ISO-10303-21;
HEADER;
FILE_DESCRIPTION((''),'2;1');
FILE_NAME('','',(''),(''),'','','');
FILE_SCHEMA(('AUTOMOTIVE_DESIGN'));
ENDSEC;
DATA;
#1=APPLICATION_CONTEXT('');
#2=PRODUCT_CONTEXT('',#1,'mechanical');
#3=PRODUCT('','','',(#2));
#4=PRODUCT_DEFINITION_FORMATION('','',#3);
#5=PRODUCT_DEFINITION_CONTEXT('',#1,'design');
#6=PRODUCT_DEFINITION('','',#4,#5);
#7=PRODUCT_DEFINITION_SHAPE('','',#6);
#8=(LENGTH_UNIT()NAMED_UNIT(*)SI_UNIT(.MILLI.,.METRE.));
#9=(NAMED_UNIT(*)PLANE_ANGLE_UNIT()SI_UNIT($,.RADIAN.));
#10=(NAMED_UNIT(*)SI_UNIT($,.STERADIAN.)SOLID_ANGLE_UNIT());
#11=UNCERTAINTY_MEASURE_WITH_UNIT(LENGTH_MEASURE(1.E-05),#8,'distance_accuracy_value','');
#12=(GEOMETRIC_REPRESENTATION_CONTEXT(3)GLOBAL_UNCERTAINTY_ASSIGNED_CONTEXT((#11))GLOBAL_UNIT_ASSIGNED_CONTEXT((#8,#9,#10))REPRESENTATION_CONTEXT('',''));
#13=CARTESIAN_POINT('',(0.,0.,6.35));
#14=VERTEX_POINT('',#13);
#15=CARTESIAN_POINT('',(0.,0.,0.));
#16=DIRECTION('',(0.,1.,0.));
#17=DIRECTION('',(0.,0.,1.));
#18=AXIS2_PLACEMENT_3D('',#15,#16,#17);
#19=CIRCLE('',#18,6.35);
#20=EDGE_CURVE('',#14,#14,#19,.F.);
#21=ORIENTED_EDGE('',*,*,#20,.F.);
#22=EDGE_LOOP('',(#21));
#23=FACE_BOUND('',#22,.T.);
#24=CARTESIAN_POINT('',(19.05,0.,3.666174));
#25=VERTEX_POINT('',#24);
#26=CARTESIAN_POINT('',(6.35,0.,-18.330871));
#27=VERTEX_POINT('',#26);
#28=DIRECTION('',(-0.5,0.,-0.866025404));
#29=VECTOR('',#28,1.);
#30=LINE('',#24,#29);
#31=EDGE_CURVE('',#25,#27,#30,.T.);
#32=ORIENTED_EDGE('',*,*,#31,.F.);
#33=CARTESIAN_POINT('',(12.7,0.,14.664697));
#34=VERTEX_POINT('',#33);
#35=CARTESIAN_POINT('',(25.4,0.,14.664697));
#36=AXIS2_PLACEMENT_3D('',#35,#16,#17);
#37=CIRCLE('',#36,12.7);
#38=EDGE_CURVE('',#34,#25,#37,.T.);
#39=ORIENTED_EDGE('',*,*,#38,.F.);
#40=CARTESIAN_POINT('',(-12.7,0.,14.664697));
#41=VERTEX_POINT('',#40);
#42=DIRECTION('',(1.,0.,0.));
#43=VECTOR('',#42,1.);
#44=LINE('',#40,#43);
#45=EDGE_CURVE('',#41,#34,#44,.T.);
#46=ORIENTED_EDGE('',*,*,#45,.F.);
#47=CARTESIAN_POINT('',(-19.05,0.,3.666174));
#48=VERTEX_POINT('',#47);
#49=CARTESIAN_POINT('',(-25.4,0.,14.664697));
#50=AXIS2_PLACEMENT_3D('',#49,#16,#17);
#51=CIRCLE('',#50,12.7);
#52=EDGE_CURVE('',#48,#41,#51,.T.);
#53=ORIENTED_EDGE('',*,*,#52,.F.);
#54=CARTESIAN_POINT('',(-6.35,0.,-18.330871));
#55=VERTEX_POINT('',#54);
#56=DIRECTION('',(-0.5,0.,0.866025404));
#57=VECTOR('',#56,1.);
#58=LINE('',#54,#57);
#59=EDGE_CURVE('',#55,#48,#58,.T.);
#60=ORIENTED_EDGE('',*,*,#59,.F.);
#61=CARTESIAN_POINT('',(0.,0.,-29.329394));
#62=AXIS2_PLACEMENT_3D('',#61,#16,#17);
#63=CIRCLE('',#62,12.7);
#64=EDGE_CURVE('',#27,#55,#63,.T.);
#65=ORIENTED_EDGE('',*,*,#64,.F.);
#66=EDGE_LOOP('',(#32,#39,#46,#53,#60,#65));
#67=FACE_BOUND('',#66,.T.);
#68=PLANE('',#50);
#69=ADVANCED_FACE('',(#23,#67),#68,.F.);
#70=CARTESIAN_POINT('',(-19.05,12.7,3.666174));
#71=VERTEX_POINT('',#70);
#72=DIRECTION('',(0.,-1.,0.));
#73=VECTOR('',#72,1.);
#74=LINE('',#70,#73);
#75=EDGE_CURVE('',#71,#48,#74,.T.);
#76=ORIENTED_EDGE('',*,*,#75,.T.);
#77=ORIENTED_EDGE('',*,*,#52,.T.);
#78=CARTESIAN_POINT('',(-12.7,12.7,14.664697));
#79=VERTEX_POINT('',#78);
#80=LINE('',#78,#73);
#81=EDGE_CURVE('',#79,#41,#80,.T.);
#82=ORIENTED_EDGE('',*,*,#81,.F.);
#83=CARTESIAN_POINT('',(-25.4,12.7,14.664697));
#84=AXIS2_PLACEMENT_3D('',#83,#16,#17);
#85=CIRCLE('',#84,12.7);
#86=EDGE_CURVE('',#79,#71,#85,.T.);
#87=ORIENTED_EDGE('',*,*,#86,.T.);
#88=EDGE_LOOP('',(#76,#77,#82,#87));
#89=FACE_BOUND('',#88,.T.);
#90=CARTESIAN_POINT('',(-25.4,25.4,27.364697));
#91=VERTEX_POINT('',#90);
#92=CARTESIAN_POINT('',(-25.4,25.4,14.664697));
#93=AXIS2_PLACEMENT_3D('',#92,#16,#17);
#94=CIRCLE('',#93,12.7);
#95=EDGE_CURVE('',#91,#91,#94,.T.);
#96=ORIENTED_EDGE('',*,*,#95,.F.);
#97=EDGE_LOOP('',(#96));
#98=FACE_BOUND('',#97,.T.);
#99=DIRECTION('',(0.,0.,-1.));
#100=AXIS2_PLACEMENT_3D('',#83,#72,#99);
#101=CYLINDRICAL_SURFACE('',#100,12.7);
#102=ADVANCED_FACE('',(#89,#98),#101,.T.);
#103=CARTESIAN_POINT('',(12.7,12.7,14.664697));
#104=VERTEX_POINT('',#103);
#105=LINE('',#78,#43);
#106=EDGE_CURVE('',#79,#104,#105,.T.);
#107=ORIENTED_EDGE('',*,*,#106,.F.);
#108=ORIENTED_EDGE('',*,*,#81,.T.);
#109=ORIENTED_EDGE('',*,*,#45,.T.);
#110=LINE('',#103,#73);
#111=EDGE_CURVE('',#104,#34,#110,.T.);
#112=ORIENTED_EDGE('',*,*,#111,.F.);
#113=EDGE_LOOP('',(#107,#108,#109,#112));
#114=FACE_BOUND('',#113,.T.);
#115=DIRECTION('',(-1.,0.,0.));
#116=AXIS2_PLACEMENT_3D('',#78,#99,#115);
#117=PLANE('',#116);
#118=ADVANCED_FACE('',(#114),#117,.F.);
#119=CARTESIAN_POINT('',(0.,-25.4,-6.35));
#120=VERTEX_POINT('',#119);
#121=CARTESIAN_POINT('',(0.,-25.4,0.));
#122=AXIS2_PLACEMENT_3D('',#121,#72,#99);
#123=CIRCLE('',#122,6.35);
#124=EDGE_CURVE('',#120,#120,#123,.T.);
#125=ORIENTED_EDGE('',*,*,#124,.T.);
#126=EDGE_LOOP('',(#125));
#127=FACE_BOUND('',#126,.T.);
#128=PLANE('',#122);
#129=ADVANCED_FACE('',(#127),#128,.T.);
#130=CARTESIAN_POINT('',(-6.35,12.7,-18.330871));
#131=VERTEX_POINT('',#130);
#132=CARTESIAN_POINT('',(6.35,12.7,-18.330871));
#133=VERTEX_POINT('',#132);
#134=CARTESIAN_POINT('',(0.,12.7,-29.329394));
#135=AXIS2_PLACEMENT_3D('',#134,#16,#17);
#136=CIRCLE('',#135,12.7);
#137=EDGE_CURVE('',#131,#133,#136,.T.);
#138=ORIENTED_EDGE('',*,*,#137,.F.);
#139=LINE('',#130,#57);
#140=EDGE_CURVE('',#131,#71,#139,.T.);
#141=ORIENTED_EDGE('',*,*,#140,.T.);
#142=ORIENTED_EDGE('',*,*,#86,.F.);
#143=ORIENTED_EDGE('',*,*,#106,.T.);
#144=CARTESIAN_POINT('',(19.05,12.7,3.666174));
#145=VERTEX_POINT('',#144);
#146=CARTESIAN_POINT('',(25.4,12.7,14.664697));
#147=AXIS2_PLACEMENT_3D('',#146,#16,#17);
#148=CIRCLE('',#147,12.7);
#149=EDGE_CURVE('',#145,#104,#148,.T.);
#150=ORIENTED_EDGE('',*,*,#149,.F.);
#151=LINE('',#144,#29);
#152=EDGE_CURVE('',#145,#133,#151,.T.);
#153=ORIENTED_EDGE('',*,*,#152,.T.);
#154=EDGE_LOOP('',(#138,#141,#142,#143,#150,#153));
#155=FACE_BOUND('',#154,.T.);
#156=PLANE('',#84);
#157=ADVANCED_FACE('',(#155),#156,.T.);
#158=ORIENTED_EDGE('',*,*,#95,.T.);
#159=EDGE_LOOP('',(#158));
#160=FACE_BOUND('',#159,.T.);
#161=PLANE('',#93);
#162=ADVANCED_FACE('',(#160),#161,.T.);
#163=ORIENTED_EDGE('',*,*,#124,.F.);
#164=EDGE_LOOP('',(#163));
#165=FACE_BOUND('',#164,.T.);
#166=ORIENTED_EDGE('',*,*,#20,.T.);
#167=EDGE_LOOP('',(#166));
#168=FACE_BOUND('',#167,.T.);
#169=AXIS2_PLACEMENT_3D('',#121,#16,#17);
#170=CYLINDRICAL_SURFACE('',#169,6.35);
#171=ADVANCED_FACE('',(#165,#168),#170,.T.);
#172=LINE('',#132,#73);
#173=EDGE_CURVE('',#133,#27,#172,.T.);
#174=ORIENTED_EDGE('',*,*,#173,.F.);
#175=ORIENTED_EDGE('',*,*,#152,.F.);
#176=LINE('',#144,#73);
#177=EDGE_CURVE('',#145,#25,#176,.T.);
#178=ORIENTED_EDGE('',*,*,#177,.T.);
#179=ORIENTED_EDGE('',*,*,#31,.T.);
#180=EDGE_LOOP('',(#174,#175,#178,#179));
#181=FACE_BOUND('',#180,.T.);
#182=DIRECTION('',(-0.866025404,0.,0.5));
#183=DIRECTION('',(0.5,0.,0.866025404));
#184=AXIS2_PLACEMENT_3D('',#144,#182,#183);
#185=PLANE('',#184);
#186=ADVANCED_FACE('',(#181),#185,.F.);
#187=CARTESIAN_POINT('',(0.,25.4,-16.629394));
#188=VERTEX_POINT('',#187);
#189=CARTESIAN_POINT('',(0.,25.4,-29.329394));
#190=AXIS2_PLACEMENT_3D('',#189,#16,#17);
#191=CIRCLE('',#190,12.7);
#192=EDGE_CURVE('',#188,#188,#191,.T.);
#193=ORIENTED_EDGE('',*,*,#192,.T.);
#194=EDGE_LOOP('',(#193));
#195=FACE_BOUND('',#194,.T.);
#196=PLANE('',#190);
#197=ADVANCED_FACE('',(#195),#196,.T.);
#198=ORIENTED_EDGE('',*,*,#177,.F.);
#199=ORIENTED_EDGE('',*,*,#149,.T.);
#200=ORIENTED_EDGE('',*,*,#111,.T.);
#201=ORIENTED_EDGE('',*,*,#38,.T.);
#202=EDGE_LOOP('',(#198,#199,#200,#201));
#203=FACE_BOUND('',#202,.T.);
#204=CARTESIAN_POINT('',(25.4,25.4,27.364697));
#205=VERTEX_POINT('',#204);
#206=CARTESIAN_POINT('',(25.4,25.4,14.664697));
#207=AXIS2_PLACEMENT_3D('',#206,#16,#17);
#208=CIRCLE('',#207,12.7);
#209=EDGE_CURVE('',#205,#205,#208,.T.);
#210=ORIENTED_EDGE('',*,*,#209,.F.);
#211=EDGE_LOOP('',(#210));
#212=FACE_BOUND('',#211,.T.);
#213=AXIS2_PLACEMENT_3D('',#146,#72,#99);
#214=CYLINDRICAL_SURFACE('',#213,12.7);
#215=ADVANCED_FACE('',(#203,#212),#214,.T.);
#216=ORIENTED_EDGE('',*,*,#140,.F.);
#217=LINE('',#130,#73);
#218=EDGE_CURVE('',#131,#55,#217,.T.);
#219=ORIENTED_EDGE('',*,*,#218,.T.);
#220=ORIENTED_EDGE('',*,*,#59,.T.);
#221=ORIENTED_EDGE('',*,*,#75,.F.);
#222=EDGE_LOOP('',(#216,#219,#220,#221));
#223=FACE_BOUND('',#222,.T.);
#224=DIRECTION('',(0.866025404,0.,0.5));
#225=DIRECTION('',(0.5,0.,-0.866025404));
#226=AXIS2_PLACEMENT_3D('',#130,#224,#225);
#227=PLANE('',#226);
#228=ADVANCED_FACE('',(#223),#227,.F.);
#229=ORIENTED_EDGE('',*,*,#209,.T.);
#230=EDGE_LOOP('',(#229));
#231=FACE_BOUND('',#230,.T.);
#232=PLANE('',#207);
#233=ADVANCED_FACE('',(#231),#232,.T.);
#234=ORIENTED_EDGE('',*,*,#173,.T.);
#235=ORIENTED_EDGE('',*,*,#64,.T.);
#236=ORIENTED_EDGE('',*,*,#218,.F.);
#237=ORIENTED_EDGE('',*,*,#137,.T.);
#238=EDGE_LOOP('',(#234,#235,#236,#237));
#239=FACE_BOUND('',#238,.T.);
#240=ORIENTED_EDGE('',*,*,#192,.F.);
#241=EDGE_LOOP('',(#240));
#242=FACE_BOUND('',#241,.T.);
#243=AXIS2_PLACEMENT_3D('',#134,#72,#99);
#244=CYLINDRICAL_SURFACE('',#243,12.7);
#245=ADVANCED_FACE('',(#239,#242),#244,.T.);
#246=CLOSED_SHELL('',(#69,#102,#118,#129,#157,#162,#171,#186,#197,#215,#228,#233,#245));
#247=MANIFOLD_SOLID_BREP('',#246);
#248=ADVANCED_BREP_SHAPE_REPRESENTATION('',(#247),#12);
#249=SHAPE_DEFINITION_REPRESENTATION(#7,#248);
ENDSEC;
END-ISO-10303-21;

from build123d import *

# Parameters (mm, degrees)
BOSS_EXTRUDE1_DEPTH = 12.7
SKETCH2_R           = 12.7
BOSS_EXTRUDE2_DEPTH = 12.7
SKETCH3_R           = 6.35
BOSS_EXTRUDE3_DEPTH = 25.4


with BuildPart() as part:
    # Sketch1 → Boss-Extrude1 (new body)
    with BuildSketch(Plane(origin=(0, 0, 0), x_dir=(1, 0, 0), z_dir=(0, 1, 0))):
        with BuildLine():
            Line((-6.35, 18.330871047), (-19.05, -3.666174209))
            ThreePointArc((-19.05, -3.666174209), (-36.398522628, -21.014696837), (-12.7, -14.664696837))
            Line((-12.7, -14.664696837), (12.7, -14.664696837))
            ThreePointArc((12.7, -14.664696837), (36.398522628, -21.014696837), (19.05, -3.666174209))
            Line((19.05, -3.666174209), (6.35, 18.330871047))
            ThreePointArc((6.35, 18.330871047), (0, 42.029393675), (-6.35, 18.330871047))
        make_face()
    extrude(amount=BOSS_EXTRUDE1_DEPTH)

    # Sketch2 → Boss-Extrude2 (add)
    with BuildSketch(Plane(origin=(0, 12.7, 0), x_dir=(1, 0, 0), z_dir=(0, 1, 0))):
        with Locations(Location((-25.4, -14.664696837, 0), (0, 0, 60))):
            Circle(SKETCH2_R)
        with Locations(Location((25.4, -14.664696837, 0), (0, 0, 120))):
            Circle(SKETCH2_R)
        with Locations(Location((0, 29.329393675, 0), (0, 0, 240))):
            Circle(SKETCH2_R)
    extrude(amount=BOSS_EXTRUDE2_DEPTH)

    # Sketch3 → Boss-Extrude3 (add)
    with BuildSketch(Plane(origin=(0, 0, 0), x_dir=(-1, 0, 0), z_dir=(0, -1, 0))):
        with Locations(Location((0, 0, 0), (0, 0, 270))):
            Circle(SKETCH3_R)
    extrude(amount=BOSS_EXTRUDE3_DEPTH)


solid = part.part
